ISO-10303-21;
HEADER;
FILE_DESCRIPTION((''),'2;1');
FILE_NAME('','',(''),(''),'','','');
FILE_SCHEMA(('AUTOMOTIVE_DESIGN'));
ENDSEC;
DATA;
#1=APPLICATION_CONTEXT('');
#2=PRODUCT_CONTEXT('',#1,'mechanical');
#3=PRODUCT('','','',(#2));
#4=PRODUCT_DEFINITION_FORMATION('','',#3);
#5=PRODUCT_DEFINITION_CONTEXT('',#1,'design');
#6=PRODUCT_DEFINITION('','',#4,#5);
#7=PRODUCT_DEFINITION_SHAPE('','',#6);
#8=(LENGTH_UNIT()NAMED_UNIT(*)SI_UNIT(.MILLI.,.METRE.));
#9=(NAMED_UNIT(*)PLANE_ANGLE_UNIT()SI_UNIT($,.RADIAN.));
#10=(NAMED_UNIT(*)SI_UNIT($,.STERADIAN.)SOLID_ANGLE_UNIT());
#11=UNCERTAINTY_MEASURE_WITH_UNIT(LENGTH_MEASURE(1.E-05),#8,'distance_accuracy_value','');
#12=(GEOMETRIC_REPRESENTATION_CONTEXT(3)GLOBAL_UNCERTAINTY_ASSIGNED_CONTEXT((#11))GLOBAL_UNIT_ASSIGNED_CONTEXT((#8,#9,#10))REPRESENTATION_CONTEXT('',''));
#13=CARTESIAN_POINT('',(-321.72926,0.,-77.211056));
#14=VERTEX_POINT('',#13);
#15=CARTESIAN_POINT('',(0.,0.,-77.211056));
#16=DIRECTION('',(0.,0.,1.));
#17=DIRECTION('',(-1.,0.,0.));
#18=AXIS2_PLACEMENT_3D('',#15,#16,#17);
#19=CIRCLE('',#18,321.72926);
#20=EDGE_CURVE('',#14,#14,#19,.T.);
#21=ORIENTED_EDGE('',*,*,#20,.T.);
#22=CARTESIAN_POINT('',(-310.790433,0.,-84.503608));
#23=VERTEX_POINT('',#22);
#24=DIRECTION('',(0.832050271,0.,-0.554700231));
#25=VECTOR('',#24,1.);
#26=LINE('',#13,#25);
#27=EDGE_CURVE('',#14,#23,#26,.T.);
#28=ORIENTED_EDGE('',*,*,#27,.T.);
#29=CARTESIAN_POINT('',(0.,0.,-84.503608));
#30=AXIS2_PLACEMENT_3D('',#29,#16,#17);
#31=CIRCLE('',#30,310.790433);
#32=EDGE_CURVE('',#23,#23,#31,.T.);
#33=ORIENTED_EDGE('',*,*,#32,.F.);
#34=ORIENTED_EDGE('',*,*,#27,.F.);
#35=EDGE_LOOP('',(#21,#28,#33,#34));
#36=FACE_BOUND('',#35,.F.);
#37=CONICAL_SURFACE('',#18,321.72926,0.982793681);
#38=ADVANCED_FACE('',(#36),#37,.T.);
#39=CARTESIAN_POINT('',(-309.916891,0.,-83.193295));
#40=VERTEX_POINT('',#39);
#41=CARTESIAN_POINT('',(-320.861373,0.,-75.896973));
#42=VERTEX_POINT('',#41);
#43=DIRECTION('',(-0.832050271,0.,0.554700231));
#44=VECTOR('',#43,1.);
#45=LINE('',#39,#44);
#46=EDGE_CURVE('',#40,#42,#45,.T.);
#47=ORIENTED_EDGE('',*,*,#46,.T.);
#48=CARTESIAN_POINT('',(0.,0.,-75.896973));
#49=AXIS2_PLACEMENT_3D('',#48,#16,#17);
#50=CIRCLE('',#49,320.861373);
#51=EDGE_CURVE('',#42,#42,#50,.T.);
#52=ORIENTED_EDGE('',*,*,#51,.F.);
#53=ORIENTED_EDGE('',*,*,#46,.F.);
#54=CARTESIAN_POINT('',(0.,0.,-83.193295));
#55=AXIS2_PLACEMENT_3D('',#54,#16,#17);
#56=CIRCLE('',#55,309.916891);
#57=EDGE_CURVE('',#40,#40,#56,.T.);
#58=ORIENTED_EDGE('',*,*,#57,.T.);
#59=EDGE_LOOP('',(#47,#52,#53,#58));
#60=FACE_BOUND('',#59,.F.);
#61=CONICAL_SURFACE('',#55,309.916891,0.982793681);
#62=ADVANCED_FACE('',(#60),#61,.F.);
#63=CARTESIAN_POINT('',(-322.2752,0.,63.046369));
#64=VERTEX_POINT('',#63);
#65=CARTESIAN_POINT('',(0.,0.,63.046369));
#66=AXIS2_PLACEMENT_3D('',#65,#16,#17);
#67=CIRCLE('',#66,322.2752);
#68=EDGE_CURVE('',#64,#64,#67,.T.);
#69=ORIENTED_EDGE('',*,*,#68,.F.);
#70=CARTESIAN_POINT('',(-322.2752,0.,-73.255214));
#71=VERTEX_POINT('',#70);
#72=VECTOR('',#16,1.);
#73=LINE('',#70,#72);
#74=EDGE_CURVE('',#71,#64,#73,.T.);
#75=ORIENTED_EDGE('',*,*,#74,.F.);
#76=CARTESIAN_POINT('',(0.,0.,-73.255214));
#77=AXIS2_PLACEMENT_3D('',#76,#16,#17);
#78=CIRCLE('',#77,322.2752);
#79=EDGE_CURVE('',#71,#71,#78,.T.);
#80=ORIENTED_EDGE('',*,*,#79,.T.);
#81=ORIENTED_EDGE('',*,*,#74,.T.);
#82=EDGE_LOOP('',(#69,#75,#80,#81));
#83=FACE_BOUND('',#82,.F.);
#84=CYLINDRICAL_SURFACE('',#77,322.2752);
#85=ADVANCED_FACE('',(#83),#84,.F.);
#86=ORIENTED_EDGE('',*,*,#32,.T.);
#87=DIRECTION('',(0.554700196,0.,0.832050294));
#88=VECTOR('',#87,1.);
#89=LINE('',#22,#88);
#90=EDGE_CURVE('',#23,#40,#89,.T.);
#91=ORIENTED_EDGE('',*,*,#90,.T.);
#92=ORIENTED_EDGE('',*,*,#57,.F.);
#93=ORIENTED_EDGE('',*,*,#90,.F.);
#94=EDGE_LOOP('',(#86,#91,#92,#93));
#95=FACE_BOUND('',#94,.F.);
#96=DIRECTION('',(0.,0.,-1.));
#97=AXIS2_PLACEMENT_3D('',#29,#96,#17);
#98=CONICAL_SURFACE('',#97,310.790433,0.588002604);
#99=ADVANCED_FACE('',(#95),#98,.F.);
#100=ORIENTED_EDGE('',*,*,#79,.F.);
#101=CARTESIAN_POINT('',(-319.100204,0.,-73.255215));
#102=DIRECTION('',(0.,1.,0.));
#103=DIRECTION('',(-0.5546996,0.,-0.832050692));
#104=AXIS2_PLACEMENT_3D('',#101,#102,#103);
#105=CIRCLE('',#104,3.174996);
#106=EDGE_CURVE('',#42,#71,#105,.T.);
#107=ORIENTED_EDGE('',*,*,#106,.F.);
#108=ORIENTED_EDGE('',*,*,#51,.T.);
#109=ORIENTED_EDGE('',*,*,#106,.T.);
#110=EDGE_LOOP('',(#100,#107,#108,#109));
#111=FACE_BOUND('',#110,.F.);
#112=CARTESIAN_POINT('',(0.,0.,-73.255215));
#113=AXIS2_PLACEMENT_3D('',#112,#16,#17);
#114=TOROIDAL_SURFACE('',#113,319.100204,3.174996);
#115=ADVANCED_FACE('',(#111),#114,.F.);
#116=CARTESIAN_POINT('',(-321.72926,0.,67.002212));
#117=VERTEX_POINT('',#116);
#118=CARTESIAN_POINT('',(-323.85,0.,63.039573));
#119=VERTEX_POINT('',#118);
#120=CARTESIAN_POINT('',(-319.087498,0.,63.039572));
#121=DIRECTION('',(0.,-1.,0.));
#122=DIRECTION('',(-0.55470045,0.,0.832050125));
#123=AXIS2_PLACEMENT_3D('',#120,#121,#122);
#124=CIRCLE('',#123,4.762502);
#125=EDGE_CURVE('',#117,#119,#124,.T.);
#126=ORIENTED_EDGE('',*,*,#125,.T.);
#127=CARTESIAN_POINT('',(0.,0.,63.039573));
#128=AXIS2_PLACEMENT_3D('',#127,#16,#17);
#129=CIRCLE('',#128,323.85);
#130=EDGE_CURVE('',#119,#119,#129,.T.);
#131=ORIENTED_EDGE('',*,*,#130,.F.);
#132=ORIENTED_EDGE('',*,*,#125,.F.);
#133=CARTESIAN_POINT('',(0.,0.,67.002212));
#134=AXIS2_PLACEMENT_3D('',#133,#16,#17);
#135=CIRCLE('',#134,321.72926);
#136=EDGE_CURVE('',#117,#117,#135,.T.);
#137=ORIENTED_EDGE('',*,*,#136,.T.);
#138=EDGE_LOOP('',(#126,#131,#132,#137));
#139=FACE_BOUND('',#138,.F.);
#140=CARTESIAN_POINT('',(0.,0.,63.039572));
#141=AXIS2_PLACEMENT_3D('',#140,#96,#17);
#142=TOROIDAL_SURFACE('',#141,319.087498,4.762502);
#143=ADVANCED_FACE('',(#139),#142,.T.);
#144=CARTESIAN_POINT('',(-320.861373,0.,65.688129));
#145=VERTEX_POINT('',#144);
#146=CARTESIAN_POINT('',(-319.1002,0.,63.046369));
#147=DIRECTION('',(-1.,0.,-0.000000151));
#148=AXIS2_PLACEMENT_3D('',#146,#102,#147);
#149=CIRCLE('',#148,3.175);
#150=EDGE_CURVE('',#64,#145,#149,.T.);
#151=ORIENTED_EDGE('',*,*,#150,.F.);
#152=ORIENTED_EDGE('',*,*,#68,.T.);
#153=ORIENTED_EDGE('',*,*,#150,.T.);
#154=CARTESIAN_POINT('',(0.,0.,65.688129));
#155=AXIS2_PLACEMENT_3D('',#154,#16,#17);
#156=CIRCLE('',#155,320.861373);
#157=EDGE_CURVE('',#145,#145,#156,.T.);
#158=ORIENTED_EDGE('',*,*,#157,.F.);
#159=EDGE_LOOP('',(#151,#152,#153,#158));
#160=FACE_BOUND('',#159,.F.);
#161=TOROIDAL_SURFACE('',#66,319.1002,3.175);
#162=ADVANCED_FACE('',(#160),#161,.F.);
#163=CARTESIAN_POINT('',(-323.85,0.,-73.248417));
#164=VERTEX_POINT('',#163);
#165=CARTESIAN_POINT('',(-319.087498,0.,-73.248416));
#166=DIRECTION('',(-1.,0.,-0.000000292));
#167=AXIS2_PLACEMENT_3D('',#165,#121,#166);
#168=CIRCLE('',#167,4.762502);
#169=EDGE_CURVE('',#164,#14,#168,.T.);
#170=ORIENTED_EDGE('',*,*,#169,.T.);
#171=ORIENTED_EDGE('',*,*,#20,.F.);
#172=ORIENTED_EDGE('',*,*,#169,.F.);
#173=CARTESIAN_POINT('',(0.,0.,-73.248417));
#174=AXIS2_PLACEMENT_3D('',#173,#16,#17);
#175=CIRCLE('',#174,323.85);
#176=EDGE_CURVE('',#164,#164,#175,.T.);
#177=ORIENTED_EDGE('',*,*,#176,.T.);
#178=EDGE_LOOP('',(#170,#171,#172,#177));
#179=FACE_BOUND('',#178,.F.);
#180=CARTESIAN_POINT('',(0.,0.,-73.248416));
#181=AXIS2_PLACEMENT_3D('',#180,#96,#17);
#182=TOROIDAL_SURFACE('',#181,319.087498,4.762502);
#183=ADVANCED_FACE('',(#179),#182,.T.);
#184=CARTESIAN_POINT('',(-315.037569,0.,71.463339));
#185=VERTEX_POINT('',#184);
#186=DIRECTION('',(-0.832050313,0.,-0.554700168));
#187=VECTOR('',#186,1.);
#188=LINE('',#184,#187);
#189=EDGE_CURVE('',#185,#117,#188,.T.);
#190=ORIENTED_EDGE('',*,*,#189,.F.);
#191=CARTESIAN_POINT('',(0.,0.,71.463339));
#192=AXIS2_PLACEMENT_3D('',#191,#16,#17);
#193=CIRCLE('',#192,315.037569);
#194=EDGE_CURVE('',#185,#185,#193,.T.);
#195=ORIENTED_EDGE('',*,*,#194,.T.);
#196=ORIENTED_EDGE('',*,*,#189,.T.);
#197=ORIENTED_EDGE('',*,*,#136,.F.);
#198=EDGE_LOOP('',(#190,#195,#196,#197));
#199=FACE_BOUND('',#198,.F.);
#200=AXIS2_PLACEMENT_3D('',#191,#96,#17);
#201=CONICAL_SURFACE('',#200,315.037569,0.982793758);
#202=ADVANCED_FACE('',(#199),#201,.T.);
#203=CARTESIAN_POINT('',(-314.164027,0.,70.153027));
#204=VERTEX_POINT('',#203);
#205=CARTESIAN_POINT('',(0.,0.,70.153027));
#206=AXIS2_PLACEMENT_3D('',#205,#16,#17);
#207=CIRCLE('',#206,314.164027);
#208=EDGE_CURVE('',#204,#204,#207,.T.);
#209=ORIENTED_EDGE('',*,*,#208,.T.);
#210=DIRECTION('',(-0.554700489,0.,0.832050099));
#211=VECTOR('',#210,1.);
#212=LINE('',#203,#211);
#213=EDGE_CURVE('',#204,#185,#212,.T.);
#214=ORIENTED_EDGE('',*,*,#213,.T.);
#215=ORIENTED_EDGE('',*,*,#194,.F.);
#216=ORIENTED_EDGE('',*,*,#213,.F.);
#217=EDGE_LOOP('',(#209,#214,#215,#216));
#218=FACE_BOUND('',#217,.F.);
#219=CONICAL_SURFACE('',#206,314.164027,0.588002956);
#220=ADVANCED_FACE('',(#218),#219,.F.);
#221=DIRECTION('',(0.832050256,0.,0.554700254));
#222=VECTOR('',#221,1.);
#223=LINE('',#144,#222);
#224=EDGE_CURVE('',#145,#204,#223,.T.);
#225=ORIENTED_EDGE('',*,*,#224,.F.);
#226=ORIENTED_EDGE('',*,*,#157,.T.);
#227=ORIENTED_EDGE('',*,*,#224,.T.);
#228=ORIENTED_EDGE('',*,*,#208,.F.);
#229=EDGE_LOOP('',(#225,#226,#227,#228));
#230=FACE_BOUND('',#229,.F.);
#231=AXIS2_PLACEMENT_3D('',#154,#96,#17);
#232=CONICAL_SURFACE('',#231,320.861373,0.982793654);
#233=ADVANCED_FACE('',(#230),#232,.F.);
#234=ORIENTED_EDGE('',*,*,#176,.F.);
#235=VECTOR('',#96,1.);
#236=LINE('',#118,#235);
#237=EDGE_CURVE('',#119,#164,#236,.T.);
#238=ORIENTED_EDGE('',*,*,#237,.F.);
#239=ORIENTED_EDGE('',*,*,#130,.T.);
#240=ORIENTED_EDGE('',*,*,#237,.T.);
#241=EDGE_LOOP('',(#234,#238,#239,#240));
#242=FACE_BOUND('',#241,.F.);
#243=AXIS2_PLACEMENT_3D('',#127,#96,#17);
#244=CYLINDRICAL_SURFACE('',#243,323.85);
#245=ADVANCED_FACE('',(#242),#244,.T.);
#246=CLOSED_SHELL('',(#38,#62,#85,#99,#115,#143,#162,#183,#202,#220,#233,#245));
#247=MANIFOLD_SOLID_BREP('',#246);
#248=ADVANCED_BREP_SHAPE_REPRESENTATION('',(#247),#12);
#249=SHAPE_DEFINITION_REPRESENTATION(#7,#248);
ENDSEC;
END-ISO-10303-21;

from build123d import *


with BuildPart() as f2:
    # F0 (on Front) → F2 (revolve)
    with BuildSketch(Plane.XZ):
        with BuildLine():
            Line((-322.2752, -73.255214), (-322.2752, -5.104422))
            Line((-322.2752, -5.104422), (-322.2752, 63.046369))
            ThreePointArc((-322.2752, 63.046369), (-321.899517, 64.544518), (-320.861373, 65.688129))
            Line((-320.861373, 65.688129), (-314.164027, 70.153027))
            Line((-314.164027, 70.153027), (-315.037569, 71.463339))
            Line((-315.037569, 71.463339), (-321.72926, 67.002212))
            ThreePointArc((-321.72926, 67.002212), (-323.286475, 65.286796), (-323.85, 63.039573))
            Line((-323.85, 63.039573), (-323.85, 0))
            Line((-323.85, 0), (-323.85, -73.248417))
            ThreePointArc((-323.85, -73.248417), (-323.286475, -75.49564), (-321.72926, -77.211056))
            Line((-321.72926, -77.211056), (-310.790433, -84.503608))
            Line((-310.790433, -84.503608), (-309.916891, -83.193295))
            Line((-309.916891, -83.193295), (-320.861373, -75.896973))
            ThreePointArc((-320.861373, -75.896973), (-321.899517, -74.753363), (-322.2752, -73.255214))
        make_face()
    revolve(axis=Axis((0, 0, 45.9867), (0, 0, 1)))


solid = f2.part
